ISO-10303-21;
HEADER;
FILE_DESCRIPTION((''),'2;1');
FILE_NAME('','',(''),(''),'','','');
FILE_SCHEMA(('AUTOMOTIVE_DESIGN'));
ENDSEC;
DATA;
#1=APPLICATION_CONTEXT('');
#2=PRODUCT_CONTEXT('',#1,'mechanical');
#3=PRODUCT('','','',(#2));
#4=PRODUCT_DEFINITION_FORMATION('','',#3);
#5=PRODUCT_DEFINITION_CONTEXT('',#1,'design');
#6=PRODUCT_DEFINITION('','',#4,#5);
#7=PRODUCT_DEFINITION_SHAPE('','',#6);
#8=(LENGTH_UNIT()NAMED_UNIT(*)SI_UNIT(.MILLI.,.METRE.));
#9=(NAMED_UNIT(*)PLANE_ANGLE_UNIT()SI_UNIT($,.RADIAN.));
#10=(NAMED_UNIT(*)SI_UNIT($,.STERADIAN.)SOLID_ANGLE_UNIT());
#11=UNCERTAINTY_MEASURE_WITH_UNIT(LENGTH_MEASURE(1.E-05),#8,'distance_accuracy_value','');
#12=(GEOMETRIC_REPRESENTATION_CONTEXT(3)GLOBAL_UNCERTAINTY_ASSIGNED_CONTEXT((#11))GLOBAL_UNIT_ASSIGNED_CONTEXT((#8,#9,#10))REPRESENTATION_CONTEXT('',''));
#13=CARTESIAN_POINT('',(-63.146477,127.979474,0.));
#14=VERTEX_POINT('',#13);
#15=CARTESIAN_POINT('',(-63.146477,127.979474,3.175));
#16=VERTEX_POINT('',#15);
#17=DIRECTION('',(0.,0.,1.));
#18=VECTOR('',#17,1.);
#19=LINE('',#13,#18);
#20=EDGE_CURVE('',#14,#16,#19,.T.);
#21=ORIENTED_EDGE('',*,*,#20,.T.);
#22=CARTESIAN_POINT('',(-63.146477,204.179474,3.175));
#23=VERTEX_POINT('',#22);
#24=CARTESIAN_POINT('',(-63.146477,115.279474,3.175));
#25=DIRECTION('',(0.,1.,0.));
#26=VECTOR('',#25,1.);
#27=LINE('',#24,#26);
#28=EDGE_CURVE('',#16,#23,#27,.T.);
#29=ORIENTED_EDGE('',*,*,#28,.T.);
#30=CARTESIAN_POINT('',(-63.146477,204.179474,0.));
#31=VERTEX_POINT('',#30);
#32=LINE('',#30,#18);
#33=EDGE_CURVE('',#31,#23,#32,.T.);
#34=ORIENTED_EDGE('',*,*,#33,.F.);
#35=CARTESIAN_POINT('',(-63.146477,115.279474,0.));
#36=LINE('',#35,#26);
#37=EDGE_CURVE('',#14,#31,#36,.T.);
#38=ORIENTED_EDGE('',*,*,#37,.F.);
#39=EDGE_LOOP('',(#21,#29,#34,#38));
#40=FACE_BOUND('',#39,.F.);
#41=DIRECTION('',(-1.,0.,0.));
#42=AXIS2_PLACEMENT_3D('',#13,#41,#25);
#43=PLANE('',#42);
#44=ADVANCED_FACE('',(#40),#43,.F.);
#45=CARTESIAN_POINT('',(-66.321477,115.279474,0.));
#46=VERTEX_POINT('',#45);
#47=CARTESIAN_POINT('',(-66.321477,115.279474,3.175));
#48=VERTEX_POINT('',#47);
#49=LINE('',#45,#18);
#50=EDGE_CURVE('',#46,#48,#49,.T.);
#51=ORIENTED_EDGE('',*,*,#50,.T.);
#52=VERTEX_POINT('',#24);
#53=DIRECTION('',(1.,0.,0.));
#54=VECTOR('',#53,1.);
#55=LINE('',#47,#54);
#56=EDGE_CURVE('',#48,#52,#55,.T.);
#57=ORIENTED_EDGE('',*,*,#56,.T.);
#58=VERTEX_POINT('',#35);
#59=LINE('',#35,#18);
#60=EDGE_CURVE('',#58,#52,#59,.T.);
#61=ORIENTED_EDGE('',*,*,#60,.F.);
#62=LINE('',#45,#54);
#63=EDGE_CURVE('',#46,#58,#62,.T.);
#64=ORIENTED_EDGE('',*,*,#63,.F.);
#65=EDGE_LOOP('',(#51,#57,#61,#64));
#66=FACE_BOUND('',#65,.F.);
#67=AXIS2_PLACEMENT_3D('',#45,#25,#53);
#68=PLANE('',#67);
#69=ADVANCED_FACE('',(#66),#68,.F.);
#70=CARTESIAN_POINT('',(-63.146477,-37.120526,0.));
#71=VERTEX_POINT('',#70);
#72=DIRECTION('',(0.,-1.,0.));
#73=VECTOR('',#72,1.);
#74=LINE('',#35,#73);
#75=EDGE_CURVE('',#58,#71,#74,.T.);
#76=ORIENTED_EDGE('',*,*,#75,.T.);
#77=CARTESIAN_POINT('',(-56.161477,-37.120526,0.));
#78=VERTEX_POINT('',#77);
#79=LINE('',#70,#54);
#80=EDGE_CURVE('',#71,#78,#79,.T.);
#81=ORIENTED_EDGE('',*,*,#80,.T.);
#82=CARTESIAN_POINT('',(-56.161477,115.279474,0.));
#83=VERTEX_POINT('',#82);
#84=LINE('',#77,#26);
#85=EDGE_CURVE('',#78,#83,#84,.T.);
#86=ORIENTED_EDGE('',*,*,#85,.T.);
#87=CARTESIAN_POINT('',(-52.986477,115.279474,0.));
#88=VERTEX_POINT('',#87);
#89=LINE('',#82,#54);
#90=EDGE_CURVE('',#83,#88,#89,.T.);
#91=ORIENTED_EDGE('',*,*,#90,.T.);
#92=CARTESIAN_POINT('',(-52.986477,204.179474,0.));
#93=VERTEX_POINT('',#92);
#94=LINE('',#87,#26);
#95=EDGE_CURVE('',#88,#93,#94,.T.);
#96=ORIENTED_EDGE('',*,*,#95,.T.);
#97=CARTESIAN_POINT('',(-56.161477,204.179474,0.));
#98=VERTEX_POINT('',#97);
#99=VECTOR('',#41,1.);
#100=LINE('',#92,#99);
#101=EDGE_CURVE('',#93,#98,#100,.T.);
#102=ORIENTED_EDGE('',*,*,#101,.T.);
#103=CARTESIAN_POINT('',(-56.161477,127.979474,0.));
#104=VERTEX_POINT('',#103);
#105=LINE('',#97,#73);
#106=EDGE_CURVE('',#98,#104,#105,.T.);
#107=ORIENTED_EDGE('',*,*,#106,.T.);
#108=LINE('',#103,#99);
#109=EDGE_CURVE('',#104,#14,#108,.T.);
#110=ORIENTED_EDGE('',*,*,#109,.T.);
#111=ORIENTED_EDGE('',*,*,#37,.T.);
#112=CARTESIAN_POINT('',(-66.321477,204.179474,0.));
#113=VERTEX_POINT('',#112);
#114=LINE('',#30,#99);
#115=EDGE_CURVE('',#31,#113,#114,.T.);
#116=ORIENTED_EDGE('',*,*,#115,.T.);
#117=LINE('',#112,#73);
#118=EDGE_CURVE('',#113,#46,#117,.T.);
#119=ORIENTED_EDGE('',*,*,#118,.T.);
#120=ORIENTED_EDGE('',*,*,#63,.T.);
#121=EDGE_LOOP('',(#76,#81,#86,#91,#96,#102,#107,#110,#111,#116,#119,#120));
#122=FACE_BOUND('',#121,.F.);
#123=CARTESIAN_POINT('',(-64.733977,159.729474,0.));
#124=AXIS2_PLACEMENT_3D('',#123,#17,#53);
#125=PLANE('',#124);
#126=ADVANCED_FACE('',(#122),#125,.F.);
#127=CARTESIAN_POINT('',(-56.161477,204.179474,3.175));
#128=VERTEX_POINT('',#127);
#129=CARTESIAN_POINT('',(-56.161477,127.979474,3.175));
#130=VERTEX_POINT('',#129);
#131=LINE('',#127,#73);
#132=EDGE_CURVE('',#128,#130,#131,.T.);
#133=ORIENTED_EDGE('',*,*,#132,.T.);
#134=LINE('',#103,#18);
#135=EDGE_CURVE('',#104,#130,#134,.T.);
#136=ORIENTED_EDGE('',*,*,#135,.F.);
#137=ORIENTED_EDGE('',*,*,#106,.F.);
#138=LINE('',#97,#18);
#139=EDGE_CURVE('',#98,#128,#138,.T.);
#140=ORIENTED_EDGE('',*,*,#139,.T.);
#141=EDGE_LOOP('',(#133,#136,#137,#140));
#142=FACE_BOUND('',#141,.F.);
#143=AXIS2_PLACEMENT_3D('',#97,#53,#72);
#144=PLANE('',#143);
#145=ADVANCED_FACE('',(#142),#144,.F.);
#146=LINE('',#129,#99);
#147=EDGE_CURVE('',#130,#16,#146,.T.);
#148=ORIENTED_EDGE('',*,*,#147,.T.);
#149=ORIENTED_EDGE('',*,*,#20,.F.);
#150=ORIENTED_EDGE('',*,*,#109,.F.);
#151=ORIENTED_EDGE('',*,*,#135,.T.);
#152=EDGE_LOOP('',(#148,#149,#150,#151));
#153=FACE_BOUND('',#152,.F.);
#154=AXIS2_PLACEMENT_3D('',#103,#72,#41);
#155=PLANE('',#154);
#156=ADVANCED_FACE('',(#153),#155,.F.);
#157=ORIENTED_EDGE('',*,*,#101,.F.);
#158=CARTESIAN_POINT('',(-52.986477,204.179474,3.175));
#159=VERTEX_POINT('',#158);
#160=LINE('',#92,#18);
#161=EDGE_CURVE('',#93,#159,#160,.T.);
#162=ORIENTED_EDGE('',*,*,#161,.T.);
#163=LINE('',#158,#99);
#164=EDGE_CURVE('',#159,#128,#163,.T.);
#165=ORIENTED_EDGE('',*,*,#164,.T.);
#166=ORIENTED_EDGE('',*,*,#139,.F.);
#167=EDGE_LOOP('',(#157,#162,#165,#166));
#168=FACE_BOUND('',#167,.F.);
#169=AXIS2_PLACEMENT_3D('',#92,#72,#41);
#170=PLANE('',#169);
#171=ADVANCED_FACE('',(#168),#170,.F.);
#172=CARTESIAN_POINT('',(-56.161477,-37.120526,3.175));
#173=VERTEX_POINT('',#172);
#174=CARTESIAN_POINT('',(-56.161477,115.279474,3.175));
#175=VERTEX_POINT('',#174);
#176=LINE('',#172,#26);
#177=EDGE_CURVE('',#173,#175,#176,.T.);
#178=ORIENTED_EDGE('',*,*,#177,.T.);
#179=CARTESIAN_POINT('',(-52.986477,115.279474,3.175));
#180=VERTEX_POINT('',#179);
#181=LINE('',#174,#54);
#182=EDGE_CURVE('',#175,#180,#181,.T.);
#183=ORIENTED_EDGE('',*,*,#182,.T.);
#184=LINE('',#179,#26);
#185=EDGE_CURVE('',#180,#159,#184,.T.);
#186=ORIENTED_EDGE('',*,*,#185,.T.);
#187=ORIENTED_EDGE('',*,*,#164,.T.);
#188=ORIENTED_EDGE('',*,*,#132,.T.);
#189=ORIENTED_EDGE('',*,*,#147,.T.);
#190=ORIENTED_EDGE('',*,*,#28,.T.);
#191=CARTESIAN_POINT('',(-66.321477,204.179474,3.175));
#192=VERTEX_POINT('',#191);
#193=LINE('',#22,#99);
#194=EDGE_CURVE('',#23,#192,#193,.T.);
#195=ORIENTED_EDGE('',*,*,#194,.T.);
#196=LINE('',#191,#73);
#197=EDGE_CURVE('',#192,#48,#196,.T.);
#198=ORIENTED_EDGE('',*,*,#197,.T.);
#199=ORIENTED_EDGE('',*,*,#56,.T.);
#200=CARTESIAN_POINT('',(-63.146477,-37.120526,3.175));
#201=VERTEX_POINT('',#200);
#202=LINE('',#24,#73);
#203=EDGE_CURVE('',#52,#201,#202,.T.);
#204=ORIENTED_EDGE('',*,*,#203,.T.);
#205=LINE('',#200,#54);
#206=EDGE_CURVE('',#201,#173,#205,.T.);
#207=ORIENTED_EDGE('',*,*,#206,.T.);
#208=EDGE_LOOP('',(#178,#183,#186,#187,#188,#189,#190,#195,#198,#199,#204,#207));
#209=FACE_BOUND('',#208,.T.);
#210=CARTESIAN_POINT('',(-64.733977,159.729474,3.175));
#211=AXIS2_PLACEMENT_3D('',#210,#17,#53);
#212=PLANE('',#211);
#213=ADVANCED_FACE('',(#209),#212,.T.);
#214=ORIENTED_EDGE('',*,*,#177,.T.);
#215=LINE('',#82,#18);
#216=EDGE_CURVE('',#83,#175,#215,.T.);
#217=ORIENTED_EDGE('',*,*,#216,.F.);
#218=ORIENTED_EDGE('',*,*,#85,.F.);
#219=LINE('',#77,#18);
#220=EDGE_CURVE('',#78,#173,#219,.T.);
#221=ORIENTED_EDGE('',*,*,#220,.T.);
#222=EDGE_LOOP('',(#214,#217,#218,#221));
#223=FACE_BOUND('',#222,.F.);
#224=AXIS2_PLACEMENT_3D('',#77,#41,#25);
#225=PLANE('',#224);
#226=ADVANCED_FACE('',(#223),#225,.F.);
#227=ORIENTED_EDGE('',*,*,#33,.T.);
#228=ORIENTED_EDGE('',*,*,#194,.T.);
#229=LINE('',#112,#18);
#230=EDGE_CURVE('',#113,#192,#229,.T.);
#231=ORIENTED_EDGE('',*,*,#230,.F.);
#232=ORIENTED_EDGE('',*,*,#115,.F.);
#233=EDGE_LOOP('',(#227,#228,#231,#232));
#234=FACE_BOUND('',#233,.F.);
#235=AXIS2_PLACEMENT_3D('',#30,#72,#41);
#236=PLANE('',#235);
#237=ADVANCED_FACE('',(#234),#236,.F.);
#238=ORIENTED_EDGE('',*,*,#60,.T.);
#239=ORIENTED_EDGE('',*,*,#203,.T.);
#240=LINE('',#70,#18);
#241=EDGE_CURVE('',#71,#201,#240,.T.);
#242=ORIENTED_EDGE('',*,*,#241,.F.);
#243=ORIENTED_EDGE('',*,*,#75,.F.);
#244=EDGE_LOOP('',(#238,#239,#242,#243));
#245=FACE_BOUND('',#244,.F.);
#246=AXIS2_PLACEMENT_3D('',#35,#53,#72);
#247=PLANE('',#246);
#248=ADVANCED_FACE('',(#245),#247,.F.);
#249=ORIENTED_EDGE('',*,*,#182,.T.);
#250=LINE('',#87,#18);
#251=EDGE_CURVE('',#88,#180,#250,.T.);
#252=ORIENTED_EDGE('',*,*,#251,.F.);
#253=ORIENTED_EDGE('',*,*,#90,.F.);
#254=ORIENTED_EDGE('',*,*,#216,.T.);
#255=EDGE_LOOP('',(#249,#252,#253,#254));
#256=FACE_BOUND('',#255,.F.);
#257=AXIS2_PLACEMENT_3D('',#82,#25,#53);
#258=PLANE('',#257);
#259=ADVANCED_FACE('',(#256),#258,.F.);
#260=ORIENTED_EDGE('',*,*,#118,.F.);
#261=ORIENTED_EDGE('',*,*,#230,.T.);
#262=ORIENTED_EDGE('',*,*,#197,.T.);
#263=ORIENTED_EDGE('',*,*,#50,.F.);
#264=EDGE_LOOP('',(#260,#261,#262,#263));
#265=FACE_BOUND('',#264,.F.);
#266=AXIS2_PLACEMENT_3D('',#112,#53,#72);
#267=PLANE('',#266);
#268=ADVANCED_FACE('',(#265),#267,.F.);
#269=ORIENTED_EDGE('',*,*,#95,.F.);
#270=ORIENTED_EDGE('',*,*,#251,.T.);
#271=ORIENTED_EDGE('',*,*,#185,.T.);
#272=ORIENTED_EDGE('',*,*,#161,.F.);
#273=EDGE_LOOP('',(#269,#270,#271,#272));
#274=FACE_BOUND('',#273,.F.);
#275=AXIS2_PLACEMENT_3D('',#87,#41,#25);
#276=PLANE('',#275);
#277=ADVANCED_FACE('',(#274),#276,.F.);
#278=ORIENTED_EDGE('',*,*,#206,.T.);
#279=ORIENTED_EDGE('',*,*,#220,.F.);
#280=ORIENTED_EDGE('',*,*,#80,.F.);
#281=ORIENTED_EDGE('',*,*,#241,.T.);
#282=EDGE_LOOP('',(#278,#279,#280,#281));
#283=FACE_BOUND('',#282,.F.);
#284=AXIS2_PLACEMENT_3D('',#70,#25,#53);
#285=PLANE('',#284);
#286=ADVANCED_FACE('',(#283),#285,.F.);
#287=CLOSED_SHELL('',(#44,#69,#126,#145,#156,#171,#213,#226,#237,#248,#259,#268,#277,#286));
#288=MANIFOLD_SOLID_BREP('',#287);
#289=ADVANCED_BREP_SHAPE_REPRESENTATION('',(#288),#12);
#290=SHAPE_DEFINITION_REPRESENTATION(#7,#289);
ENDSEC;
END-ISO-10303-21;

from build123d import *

# Parameters (mm, degrees)
F1_DEPTH = 3.175


with BuildPart() as f1:
    # F0 (on Top) → F1 (new body)
    with BuildSketch(Plane.XY):
        Polygon((-63.146477, 115.279474), (-63.146477, 127.979474), (-63.146477, 204.179474), (-66.321477, 204.179474), (-66.321477, 115.279474), align=None)
        Polygon((-56.161477, 204.179474), (-56.161477, 127.979474), (-56.161477, 115.279474), (-52.986477, 115.279474), (-52.986477, 204.179474), align=None)
        Polygon((-56.161477, 127.979474), (-63.146477, 127.979474), (-63.146477, 115.279474), (-63.146477, -37.120526), (-56.161477, -37.120526), (-56.161477, 115.279474), align=None)
    extrude(amount=F1_DEPTH)


solid = f1.part
